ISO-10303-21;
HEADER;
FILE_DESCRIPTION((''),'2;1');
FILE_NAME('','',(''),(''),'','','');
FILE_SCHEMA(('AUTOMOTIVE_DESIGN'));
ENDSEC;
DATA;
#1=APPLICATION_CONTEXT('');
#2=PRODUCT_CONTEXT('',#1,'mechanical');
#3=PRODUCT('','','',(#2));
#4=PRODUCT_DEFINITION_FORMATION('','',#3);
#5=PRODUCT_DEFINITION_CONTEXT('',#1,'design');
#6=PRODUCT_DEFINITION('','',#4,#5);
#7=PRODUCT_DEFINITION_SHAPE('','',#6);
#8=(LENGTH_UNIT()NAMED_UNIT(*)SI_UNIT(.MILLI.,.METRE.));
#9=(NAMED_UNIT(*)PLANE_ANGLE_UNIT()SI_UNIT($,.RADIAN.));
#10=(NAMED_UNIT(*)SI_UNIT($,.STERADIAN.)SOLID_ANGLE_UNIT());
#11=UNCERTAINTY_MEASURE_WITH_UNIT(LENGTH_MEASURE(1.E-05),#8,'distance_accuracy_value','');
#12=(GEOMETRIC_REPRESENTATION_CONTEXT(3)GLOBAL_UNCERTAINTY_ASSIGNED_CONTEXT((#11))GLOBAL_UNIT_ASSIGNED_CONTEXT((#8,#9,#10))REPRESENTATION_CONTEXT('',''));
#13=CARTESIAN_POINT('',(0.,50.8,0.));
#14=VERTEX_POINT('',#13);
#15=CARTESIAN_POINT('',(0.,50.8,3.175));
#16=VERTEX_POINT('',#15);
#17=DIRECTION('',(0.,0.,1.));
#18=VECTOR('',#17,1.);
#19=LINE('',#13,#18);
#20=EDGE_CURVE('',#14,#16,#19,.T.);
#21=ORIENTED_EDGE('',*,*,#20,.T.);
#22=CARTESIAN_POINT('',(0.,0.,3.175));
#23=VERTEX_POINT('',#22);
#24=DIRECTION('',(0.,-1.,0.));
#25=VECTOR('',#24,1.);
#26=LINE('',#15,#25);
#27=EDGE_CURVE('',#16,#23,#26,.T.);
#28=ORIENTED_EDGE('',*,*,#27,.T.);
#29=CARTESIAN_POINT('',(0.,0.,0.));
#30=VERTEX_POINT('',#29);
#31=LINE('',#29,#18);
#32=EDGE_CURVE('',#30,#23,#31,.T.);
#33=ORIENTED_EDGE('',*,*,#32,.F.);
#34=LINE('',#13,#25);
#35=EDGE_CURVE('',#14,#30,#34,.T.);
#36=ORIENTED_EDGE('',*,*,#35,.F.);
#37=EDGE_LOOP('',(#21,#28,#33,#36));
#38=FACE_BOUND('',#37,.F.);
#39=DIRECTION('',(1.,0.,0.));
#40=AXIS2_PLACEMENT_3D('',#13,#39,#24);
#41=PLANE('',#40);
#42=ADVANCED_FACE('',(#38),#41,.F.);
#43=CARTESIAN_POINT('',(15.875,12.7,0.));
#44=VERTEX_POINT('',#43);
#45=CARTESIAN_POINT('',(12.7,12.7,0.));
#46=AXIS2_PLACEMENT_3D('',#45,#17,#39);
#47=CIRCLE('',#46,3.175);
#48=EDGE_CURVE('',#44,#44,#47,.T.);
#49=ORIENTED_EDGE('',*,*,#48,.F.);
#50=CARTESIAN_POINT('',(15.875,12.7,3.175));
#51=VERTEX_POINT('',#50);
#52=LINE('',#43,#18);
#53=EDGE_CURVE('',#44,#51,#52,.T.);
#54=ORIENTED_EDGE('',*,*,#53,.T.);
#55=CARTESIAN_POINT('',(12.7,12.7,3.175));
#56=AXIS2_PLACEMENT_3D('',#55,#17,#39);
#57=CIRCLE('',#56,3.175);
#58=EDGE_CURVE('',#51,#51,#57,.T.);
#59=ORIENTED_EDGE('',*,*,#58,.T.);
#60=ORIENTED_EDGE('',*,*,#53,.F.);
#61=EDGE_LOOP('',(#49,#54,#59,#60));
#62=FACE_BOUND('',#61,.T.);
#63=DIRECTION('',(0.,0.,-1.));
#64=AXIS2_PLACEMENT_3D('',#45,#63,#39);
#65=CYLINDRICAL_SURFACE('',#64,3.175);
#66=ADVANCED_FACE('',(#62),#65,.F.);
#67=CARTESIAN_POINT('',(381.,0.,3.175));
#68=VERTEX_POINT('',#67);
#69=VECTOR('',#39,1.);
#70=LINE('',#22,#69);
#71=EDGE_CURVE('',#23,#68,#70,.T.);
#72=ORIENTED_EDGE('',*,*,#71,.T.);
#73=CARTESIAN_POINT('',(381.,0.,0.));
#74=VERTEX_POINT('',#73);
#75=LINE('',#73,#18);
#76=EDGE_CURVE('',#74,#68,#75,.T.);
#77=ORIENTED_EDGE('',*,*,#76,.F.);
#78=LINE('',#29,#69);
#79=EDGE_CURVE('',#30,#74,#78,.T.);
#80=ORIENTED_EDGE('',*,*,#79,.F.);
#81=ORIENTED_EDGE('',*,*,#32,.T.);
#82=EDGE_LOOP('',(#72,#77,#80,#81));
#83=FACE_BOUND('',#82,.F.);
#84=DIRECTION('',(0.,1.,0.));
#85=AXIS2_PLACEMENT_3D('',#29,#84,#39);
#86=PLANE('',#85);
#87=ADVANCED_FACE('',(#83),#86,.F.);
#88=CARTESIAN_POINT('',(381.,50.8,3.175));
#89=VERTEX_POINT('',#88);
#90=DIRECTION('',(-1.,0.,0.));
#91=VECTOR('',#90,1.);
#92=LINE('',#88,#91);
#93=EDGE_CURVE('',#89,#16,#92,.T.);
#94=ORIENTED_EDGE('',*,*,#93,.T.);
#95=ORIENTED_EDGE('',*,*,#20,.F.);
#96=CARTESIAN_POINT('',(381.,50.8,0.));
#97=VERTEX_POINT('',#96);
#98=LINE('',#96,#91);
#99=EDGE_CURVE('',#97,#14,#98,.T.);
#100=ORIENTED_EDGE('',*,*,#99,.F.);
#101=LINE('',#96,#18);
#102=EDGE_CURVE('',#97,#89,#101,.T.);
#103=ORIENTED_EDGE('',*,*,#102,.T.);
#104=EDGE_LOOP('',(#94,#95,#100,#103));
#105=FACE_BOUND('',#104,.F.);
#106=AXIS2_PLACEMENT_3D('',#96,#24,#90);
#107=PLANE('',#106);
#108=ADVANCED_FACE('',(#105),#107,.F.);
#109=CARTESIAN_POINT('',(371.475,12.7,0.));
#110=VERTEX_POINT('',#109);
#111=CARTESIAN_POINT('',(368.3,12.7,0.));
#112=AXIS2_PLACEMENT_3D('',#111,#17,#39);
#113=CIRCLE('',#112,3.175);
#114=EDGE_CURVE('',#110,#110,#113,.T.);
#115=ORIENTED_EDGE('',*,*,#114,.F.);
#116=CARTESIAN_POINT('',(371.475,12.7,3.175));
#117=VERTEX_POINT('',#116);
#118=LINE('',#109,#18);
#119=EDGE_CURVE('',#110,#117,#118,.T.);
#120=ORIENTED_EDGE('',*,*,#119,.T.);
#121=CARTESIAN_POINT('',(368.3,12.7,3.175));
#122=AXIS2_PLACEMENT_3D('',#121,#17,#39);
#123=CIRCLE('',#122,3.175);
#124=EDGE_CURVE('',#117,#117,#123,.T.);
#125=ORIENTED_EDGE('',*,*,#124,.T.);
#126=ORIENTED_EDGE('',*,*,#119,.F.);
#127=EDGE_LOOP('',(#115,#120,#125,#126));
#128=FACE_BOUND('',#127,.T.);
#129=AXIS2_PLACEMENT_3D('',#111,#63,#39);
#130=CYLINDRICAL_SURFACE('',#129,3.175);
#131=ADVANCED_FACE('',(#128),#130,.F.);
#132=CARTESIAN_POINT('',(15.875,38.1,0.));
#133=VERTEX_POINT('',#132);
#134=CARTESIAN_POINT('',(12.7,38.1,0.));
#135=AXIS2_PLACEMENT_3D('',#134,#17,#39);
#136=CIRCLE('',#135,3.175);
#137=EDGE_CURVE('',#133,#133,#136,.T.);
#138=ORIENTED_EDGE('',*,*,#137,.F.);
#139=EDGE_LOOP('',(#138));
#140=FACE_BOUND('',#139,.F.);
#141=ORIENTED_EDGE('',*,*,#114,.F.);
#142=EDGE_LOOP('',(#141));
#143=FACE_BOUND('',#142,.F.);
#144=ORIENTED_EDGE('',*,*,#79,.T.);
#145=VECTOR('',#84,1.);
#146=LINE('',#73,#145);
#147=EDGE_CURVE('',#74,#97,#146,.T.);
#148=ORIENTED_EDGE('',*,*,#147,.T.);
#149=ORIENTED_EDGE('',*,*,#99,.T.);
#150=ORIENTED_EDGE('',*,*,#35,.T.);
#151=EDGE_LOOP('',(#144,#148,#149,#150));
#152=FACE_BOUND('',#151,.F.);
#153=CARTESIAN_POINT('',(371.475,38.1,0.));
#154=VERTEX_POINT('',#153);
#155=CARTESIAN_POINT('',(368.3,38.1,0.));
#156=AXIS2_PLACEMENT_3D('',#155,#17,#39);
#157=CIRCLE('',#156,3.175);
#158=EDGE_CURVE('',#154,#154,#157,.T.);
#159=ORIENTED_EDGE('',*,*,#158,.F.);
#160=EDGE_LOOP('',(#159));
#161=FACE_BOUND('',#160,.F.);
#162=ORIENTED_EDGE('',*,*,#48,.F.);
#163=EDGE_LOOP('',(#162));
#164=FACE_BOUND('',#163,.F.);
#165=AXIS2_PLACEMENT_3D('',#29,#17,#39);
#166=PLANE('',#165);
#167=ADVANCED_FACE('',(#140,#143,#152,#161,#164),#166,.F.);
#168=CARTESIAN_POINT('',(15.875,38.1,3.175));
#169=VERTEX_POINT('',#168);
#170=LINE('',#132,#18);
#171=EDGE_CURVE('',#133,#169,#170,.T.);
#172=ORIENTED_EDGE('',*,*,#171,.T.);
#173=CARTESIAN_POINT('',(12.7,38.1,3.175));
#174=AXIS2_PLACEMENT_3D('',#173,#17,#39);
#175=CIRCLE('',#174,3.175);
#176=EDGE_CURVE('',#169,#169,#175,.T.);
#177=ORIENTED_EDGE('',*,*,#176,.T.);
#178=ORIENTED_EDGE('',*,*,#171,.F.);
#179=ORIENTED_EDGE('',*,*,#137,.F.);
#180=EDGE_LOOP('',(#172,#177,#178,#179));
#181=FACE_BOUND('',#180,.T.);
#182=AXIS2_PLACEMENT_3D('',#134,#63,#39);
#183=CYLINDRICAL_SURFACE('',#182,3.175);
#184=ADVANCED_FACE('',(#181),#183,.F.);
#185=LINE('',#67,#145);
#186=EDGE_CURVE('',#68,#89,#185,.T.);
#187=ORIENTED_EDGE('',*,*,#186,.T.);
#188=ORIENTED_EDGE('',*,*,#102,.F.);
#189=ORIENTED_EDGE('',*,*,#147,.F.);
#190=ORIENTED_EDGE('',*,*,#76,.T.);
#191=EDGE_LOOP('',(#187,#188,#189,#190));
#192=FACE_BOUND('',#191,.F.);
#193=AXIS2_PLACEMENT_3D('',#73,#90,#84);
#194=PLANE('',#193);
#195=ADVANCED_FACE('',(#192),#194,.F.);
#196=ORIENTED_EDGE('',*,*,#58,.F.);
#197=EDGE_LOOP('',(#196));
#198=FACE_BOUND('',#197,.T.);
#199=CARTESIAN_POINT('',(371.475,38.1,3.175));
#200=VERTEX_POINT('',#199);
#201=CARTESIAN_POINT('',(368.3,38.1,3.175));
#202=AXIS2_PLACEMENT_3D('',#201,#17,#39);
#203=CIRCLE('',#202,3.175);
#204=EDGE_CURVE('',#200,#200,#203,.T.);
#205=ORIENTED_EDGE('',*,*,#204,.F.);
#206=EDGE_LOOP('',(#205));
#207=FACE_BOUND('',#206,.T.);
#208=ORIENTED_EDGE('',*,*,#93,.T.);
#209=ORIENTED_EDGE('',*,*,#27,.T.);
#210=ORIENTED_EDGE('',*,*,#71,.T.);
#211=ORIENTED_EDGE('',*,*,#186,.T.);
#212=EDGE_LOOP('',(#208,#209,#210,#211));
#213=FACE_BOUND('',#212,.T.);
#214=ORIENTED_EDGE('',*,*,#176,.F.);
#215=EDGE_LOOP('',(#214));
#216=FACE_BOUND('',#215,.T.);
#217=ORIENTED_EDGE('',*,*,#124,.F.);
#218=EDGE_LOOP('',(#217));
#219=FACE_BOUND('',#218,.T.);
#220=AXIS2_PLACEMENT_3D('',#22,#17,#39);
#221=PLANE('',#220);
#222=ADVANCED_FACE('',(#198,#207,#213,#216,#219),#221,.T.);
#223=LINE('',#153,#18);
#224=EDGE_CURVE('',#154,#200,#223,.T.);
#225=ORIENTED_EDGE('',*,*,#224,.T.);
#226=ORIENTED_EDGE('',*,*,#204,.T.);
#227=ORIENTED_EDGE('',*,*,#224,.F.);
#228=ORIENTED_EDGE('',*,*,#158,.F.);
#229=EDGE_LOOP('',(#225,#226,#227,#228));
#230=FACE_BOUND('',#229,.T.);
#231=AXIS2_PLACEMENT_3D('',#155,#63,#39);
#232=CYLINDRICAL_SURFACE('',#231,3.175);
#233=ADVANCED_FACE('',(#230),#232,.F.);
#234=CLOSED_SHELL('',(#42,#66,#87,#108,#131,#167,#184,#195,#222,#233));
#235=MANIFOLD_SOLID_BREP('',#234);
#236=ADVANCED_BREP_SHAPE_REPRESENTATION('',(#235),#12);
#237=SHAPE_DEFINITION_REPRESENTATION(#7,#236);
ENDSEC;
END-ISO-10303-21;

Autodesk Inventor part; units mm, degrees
ref_plane "YZ Plane" through (0, 0, 0) normal (1, 0, 0) x (0, 1, 0)
ref_plane "XZ Plane" through (0, 0, 0) normal (0, 1, 0) x (-1, 0, 0)
ref_plane "XY Plane" through (0, 0, 0) normal (0, 0, 1) x (1, 0, 0)
sketch "Sketch1" plane through (0, 0, 0) normal (0, 0, 1) x (1, 0, 0)
  line L0 (0, 0) -> (381, 0)
  line L1 (381, 0) -> (381, 50.8)
  line L2 (381, 50.8) -> (0, 50.8)
  line L3 (0, 50.8) -> (0, 0)
  line L4 (12.7, 50.8) -> (12.7, 0) construction
  line L5 (0, 38.1) -> (12.7, 38.1) construction
  line L6 (0, 12.7) -> (12.7, 12.7) construction
  circle A0 centre (12.7, 38.1) radius 3.175
  circle A1 centre (12.7, 12.7) radius 3.175
  line L7 (190.5, 50.8) -> (190.5, 0) construction
  line L8 (368.3, 50.8) -> (368.3, 0) construction
  line L9 (381, 38.1) -> (368.3, 38.1) construction
  line L10 (381, 12.7) -> (368.3, 12.7) construction
  circle A2 centre (368.3, 38.1) radius 3.175
  circle A3 centre (368.3, 12.7) radius 3.175
  dimension "d0" = 381
  dimension "d1" = 50.8
  dimension "d2" = 12.7
  dimension "d3" = 12.7
  dimension "d4" = 25.4
  dimension "d5" = 6.35
  dimension "d6" = 6.35
extrude "Extrusion1" add sketch "Sketch1" along normal blind 3.175
properties part number "slider-crossbeam"
